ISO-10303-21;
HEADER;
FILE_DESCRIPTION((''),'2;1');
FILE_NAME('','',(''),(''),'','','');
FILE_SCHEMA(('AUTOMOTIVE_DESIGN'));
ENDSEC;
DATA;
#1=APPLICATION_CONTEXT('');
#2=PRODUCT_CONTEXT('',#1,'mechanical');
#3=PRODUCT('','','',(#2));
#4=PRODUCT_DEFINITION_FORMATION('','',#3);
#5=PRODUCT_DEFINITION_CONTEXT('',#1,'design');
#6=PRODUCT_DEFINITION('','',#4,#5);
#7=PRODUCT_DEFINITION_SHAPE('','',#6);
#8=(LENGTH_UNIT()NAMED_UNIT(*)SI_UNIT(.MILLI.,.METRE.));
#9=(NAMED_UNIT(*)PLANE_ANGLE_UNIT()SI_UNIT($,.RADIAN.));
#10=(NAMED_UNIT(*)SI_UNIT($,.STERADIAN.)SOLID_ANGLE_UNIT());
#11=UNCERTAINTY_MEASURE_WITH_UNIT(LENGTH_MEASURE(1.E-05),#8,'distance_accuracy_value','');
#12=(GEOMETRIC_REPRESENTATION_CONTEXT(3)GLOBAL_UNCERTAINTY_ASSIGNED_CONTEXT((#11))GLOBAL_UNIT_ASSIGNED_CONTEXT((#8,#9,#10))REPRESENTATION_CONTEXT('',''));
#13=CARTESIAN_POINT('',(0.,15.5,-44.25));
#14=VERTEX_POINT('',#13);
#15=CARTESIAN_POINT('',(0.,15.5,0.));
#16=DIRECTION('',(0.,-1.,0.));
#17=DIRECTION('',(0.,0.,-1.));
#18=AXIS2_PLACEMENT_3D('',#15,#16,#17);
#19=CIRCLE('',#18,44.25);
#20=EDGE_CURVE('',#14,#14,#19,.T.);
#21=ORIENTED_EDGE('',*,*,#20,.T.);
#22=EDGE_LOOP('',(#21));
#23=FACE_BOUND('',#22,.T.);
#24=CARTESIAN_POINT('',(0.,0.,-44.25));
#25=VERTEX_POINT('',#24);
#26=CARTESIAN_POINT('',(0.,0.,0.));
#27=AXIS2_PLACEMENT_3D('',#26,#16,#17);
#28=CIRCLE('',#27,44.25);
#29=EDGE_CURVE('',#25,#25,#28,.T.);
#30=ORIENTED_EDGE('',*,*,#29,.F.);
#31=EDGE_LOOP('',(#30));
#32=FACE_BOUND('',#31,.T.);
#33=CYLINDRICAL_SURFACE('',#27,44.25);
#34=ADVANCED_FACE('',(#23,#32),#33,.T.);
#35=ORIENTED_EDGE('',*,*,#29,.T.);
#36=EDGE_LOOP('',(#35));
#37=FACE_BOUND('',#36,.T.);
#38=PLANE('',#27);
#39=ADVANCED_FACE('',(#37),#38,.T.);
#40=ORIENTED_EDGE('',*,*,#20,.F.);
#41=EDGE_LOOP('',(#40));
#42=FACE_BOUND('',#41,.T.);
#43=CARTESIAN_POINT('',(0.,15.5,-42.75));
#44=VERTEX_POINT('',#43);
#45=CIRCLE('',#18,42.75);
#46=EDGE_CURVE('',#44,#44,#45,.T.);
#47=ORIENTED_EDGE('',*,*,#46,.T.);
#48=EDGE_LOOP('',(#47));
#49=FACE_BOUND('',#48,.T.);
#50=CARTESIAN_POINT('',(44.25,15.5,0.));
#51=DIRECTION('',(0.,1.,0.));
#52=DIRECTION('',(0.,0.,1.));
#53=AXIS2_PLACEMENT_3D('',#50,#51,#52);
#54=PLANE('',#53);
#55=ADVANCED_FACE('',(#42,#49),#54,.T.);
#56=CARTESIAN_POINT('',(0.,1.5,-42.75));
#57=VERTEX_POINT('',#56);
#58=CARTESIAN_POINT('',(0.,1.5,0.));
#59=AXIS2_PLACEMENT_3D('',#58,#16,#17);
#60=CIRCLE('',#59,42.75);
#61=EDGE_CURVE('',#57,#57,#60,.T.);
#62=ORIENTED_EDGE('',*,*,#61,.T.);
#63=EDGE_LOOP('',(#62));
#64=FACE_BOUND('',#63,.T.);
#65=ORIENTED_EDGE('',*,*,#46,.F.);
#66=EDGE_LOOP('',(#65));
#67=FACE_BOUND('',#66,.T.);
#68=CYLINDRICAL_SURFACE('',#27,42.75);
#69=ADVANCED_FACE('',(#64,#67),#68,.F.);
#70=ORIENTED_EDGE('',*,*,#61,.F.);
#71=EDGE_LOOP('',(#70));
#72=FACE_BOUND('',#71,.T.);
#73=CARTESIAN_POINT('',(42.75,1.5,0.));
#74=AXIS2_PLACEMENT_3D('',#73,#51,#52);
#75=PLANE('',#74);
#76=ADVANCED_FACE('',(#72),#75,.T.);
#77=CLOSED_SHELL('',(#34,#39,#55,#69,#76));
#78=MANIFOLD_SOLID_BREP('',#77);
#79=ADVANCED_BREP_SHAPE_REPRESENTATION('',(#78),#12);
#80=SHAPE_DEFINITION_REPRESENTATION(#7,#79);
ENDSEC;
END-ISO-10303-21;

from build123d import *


with BuildPart() as part:
    # Esquisse1 → Révolution1 (revolve)
    with BuildSketch(Plane.XY, mode=Mode.PRIVATE) as r_volution1_sk:
        Polygon((0, 0), (44.25, 0), (44.25, 15.5), (42.75, 15.5), (42.75, 1.5), (0, 1.5), align=None)
    revolve(r_volution1_sk.sketch.rotate(Axis((0, 0, 0), (0, 1, 0)), 90), axis=Axis((0, 0, 0), (0, 1, 0)))


solid = part.part
